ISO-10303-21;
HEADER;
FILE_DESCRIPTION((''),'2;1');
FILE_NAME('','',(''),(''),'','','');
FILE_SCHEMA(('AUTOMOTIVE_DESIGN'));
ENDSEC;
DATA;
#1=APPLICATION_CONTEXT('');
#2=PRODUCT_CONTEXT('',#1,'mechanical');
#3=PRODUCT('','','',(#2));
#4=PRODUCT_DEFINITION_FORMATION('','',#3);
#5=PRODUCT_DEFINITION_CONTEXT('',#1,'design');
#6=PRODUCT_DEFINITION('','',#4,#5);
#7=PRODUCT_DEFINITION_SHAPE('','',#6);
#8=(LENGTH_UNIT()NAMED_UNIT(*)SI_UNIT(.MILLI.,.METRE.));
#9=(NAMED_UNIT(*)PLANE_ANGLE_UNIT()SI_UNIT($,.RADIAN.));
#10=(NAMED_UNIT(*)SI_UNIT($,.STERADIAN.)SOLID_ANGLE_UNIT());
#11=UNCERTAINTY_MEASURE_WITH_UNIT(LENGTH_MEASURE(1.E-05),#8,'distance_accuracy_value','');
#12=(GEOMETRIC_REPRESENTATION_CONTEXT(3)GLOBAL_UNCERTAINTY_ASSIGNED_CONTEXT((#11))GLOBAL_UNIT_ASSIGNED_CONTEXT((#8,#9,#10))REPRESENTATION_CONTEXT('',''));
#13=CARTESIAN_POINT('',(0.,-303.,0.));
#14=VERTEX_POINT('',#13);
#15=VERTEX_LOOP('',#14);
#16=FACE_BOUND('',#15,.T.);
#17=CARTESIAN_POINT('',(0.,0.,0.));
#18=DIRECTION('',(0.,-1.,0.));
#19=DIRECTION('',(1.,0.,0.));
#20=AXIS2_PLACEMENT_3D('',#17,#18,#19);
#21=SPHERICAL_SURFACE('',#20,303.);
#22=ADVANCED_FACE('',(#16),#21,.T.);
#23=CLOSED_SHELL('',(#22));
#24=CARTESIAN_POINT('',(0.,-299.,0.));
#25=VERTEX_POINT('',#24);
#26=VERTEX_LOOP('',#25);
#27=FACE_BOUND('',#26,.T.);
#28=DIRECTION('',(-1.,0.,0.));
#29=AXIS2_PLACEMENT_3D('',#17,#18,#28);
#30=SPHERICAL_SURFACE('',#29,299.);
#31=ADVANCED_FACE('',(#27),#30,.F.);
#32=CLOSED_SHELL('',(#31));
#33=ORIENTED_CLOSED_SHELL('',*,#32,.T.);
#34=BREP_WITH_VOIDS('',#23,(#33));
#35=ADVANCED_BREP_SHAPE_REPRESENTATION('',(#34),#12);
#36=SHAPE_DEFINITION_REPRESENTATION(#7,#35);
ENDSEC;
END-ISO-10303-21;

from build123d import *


with BuildPart() as part:
    # Sketch1 → Revolve1 (revolve)
    with BuildSketch(Plane.XY):
        with BuildLine():
            Line((0, 303), (0, 299))
            ThreePointArc((0, 299), (-299, 0), (0, -299))
            Line((0, -299), (0, -303))
            ThreePointArc((0, -303), (-303, 0), (0, 303))
        make_face()
    revolve(axis=Axis((0, -303, 0), (0, 1, 0)))


solid = part.part
